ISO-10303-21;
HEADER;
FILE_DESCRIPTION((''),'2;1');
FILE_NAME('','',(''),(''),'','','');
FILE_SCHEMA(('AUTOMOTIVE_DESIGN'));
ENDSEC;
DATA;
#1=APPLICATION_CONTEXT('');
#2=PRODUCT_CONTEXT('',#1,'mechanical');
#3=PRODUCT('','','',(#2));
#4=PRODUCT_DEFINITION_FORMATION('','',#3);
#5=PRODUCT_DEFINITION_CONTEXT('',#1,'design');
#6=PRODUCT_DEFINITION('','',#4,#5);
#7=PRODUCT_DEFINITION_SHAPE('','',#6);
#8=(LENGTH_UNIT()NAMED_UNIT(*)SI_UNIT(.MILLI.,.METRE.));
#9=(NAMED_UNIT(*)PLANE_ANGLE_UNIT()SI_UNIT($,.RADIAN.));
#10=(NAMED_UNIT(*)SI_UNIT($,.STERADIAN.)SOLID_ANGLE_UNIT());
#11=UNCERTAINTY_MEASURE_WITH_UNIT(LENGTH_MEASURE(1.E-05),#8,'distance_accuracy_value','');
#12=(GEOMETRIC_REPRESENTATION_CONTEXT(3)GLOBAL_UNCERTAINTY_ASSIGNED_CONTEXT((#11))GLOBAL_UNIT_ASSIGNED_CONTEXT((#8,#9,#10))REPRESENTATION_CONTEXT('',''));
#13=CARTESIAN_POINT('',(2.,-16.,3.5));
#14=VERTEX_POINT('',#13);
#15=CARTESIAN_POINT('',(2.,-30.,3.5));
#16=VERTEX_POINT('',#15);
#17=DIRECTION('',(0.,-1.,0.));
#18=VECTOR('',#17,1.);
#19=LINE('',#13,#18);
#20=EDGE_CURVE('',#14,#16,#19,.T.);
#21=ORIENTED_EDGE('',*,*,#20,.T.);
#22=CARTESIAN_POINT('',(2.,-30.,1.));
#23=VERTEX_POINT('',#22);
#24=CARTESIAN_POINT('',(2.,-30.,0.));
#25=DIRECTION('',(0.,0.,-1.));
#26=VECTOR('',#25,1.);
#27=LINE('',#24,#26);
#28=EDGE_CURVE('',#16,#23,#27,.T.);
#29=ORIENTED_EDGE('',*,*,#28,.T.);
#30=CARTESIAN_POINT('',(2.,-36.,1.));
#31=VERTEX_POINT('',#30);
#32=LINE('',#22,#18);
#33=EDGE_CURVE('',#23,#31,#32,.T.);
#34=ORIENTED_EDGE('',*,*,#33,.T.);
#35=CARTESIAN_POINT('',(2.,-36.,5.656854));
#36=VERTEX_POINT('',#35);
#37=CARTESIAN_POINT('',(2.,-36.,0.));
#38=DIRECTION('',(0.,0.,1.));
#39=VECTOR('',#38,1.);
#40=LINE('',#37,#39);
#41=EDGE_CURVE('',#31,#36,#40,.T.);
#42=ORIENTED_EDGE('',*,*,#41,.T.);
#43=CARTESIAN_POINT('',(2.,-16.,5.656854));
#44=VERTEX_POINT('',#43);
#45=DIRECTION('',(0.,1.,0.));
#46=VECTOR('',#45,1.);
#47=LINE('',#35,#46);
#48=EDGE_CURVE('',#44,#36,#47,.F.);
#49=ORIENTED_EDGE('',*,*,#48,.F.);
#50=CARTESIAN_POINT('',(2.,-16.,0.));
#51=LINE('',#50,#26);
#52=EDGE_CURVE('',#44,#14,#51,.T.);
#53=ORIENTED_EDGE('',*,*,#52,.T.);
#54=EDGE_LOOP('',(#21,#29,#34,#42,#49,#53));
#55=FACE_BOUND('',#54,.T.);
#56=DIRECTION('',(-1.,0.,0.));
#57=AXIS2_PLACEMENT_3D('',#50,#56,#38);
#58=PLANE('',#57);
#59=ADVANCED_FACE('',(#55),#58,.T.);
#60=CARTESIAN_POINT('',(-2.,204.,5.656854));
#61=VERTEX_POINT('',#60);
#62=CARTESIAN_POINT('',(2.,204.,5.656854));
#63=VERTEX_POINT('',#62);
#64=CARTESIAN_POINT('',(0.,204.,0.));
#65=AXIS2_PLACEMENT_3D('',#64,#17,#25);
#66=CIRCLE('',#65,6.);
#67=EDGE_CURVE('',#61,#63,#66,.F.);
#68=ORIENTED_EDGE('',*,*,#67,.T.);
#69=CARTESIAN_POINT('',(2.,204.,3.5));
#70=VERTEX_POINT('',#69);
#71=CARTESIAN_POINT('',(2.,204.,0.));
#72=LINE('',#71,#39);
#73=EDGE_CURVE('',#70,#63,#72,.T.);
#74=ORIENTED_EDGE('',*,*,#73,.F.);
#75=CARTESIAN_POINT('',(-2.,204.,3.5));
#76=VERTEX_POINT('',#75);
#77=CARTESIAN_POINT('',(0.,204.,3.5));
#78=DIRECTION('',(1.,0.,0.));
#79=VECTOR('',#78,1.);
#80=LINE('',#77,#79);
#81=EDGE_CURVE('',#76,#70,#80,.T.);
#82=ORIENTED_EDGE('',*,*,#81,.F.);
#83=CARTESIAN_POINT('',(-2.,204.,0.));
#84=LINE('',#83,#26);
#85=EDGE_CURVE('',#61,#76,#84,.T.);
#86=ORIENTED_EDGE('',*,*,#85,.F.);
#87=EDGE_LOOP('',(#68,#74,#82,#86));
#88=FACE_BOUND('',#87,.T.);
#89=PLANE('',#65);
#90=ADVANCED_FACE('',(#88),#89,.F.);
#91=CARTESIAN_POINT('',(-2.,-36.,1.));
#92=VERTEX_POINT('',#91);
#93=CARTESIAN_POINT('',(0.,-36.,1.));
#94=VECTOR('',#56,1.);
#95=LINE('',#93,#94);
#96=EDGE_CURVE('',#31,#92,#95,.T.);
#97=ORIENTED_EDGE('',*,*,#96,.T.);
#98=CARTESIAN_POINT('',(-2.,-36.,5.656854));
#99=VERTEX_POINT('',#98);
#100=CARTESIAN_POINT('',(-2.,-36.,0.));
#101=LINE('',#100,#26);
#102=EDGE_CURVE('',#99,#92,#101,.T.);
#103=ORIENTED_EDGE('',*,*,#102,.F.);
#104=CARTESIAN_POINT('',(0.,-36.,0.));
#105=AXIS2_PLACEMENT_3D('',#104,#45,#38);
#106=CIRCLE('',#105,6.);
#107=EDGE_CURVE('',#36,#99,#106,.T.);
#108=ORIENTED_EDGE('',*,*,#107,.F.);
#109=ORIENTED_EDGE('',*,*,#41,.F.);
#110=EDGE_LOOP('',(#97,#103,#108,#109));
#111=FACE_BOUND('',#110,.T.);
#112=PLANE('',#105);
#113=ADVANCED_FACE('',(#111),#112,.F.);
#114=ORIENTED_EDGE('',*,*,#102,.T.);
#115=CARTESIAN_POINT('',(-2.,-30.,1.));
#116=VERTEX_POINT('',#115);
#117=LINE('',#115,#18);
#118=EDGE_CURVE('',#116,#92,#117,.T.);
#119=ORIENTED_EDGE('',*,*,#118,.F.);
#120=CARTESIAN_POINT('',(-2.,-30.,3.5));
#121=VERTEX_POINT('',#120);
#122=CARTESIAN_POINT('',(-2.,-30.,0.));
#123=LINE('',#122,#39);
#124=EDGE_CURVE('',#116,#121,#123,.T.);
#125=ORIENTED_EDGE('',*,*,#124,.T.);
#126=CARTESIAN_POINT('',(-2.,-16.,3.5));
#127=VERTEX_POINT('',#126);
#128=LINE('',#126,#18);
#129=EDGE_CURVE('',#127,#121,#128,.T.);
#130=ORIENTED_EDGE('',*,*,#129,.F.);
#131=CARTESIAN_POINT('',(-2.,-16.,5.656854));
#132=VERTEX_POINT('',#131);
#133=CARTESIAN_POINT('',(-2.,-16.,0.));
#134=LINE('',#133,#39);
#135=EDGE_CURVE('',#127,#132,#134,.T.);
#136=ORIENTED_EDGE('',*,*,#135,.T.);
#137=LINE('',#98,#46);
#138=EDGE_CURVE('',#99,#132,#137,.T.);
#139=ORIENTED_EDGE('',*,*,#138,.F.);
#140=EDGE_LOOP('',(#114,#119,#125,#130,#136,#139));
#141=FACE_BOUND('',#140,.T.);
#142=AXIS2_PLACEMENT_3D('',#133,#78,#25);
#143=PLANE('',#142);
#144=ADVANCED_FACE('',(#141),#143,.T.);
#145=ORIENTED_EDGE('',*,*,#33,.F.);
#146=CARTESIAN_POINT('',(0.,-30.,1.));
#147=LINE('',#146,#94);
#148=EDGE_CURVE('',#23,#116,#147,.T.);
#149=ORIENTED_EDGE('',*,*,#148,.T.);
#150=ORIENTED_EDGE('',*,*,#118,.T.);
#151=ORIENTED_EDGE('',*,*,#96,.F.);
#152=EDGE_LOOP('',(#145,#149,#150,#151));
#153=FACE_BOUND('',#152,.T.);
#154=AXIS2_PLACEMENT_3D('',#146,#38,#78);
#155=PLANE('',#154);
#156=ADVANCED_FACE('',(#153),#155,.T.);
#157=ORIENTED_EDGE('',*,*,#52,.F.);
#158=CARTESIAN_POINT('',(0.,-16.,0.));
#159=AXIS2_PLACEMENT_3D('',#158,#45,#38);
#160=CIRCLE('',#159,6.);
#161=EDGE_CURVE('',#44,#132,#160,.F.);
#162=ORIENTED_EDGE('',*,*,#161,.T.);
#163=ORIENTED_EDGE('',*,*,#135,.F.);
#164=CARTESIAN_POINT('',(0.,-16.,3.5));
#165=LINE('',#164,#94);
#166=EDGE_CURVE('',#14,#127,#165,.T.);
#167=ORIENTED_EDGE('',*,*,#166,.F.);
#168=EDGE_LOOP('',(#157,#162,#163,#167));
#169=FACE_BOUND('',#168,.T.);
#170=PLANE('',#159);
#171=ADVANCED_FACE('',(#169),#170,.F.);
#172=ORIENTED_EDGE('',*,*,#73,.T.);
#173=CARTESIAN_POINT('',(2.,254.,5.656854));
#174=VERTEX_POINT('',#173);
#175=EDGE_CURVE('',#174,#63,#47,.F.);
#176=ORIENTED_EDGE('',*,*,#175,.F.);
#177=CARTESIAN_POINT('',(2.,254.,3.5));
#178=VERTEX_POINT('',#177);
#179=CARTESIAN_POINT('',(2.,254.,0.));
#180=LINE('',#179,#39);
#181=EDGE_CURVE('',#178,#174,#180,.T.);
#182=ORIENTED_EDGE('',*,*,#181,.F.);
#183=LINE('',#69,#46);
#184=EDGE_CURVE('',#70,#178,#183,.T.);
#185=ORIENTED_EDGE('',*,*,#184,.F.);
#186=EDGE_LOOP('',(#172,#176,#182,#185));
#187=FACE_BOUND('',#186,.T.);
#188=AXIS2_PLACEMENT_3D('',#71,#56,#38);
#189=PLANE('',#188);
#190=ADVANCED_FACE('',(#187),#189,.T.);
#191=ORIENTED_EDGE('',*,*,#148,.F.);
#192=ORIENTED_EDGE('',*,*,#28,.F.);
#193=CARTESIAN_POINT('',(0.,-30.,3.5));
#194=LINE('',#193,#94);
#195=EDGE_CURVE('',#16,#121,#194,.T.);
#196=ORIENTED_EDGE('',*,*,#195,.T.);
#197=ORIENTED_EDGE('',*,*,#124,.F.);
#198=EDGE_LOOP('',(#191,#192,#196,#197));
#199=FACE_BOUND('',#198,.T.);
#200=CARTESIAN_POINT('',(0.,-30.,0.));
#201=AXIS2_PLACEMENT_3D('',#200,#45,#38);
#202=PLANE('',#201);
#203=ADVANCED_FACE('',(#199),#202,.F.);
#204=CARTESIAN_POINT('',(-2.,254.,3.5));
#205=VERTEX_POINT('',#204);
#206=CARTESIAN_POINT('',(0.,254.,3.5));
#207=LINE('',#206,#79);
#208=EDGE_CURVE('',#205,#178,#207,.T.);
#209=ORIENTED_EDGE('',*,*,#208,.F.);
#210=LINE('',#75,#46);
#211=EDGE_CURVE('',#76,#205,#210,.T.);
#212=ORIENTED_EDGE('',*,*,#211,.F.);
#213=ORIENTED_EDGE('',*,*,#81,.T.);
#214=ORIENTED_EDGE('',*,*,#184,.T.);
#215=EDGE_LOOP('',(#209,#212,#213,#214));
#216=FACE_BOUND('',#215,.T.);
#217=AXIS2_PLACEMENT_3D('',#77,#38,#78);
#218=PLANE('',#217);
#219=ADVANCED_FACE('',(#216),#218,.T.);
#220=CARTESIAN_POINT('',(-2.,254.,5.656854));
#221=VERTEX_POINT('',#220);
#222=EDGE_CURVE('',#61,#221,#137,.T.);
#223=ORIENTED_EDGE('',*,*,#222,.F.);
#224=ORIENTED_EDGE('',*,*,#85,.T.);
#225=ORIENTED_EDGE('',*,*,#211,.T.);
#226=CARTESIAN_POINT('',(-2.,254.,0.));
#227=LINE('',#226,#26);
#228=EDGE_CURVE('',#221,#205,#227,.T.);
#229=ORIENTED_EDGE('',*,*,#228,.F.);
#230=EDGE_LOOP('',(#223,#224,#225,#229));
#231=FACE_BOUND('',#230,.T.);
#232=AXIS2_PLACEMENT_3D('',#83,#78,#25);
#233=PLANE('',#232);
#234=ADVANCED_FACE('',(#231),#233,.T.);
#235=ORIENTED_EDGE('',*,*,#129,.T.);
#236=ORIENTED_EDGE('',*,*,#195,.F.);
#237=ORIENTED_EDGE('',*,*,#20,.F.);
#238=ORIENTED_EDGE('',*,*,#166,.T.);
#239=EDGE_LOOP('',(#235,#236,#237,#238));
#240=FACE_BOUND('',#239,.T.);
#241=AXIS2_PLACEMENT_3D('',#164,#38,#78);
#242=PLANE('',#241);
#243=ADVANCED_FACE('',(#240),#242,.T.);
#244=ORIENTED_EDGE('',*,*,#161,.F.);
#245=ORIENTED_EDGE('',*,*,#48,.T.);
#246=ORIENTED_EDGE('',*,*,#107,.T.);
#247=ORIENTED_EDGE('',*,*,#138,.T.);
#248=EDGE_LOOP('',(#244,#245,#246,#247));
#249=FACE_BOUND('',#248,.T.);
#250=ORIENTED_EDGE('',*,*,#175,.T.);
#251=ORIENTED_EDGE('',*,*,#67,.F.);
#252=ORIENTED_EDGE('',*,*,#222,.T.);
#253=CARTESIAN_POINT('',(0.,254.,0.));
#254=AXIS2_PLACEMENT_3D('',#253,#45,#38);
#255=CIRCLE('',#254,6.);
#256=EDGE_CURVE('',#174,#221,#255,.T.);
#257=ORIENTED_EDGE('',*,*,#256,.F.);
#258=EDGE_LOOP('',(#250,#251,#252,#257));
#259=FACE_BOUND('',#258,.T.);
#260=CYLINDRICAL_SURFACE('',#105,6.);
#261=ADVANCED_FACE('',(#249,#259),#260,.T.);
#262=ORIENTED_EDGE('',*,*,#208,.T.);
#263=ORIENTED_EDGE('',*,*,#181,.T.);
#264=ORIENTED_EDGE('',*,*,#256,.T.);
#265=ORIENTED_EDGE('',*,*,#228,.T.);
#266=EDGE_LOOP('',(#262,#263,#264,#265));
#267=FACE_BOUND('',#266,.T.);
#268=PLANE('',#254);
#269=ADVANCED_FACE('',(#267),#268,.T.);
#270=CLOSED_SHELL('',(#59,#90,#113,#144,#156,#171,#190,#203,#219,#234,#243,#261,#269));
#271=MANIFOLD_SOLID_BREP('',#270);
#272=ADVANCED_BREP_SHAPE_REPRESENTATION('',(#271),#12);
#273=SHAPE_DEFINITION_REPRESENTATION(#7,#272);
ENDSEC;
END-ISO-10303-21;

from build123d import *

# Parameters (mm, degrees)
SKETCH1_R                = 6
BOSS_EXTRUDE1_DEPTH      = 254
BOSS_EXTRUDE1_DEPTH_BACK = 36
CUT_EXTRUDE3_START       = -36
SKETCH2_W                = 4
SKETCH2_H                = 5
CUT_EXTRUDE3_DEPTH       = 20
CUT_EXTRUDE3_DEPTH_BACK  = 0.0001
CUT_EXTRUDE4_START       = 254
SKETCH2_2_W              = 4
SKETCH2_2_H              = 5
CUT_EXTRUDE4_DEPTH       = 50
CUT_EXTRUDE6_START       = -36
SKETCH3_W                = 4
SKETCH3_H                = 10
CUT_EXTRUDE6_DEPTH       = 6


with BuildPart() as part:
    # Sketch1 → Boss-Extrude1 (new body, two sides)
    with BuildSketch(Plane(origin=(0, 0, 0), x_dir=(1, 0, 0), z_dir=(0, 1, 0))) as boss_extrude1_sk:
        Circle(SKETCH1_R)
    extrude(amount=BOSS_EXTRUDE1_DEPTH)
    extrude(boss_extrude1_sk.sketch, amount=-BOSS_EXTRUDE1_DEPTH_BACK)

    # Sketch2 → Cut-Extrude3 (cut, two sides)
    with BuildSketch(Plane(origin=(0, 0, 0), x_dir=(1, 0, 0), z_dir=(0, 1, 0)).offset(CUT_EXTRUDE3_START)) as cut_extrude3_sk:
        with Locations((0, -6)):
            Rectangle(SKETCH2_W, SKETCH2_H)
    extrude(amount=CUT_EXTRUDE3_DEPTH, mode=Mode.SUBTRACT)
    extrude(cut_extrude3_sk.sketch, amount=-CUT_EXTRUDE3_DEPTH_BACK, mode=Mode.SUBTRACT)

    # Sketch2<2> → Cut-Extrude4 (cut)
    with BuildSketch(Plane(origin=(0, 0, 0), x_dir=(1, 0, 0), z_dir=(0, 1, 0)).offset(CUT_EXTRUDE4_START)):
        with Locations((0, -6)):
            Rectangle(SKETCH2_2_W, SKETCH2_2_H)
    extrude(amount=-CUT_EXTRUDE4_DEPTH, mode=Mode.SUBTRACT)

    # Sketch3 → Cut-Extrude6 (cut)
    with BuildSketch(Plane(origin=(0, 0, 0), x_dir=(1, 0, 0), z_dir=(0, 1, 0)).offset(CUT_EXTRUDE6_START)):
        with Locations((0, -6)):
            Rectangle(SKETCH3_W, SKETCH3_H)
    extrude(amount=CUT_EXTRUDE6_DEPTH, mode=Mode.SUBTRACT)


solid = part.part
